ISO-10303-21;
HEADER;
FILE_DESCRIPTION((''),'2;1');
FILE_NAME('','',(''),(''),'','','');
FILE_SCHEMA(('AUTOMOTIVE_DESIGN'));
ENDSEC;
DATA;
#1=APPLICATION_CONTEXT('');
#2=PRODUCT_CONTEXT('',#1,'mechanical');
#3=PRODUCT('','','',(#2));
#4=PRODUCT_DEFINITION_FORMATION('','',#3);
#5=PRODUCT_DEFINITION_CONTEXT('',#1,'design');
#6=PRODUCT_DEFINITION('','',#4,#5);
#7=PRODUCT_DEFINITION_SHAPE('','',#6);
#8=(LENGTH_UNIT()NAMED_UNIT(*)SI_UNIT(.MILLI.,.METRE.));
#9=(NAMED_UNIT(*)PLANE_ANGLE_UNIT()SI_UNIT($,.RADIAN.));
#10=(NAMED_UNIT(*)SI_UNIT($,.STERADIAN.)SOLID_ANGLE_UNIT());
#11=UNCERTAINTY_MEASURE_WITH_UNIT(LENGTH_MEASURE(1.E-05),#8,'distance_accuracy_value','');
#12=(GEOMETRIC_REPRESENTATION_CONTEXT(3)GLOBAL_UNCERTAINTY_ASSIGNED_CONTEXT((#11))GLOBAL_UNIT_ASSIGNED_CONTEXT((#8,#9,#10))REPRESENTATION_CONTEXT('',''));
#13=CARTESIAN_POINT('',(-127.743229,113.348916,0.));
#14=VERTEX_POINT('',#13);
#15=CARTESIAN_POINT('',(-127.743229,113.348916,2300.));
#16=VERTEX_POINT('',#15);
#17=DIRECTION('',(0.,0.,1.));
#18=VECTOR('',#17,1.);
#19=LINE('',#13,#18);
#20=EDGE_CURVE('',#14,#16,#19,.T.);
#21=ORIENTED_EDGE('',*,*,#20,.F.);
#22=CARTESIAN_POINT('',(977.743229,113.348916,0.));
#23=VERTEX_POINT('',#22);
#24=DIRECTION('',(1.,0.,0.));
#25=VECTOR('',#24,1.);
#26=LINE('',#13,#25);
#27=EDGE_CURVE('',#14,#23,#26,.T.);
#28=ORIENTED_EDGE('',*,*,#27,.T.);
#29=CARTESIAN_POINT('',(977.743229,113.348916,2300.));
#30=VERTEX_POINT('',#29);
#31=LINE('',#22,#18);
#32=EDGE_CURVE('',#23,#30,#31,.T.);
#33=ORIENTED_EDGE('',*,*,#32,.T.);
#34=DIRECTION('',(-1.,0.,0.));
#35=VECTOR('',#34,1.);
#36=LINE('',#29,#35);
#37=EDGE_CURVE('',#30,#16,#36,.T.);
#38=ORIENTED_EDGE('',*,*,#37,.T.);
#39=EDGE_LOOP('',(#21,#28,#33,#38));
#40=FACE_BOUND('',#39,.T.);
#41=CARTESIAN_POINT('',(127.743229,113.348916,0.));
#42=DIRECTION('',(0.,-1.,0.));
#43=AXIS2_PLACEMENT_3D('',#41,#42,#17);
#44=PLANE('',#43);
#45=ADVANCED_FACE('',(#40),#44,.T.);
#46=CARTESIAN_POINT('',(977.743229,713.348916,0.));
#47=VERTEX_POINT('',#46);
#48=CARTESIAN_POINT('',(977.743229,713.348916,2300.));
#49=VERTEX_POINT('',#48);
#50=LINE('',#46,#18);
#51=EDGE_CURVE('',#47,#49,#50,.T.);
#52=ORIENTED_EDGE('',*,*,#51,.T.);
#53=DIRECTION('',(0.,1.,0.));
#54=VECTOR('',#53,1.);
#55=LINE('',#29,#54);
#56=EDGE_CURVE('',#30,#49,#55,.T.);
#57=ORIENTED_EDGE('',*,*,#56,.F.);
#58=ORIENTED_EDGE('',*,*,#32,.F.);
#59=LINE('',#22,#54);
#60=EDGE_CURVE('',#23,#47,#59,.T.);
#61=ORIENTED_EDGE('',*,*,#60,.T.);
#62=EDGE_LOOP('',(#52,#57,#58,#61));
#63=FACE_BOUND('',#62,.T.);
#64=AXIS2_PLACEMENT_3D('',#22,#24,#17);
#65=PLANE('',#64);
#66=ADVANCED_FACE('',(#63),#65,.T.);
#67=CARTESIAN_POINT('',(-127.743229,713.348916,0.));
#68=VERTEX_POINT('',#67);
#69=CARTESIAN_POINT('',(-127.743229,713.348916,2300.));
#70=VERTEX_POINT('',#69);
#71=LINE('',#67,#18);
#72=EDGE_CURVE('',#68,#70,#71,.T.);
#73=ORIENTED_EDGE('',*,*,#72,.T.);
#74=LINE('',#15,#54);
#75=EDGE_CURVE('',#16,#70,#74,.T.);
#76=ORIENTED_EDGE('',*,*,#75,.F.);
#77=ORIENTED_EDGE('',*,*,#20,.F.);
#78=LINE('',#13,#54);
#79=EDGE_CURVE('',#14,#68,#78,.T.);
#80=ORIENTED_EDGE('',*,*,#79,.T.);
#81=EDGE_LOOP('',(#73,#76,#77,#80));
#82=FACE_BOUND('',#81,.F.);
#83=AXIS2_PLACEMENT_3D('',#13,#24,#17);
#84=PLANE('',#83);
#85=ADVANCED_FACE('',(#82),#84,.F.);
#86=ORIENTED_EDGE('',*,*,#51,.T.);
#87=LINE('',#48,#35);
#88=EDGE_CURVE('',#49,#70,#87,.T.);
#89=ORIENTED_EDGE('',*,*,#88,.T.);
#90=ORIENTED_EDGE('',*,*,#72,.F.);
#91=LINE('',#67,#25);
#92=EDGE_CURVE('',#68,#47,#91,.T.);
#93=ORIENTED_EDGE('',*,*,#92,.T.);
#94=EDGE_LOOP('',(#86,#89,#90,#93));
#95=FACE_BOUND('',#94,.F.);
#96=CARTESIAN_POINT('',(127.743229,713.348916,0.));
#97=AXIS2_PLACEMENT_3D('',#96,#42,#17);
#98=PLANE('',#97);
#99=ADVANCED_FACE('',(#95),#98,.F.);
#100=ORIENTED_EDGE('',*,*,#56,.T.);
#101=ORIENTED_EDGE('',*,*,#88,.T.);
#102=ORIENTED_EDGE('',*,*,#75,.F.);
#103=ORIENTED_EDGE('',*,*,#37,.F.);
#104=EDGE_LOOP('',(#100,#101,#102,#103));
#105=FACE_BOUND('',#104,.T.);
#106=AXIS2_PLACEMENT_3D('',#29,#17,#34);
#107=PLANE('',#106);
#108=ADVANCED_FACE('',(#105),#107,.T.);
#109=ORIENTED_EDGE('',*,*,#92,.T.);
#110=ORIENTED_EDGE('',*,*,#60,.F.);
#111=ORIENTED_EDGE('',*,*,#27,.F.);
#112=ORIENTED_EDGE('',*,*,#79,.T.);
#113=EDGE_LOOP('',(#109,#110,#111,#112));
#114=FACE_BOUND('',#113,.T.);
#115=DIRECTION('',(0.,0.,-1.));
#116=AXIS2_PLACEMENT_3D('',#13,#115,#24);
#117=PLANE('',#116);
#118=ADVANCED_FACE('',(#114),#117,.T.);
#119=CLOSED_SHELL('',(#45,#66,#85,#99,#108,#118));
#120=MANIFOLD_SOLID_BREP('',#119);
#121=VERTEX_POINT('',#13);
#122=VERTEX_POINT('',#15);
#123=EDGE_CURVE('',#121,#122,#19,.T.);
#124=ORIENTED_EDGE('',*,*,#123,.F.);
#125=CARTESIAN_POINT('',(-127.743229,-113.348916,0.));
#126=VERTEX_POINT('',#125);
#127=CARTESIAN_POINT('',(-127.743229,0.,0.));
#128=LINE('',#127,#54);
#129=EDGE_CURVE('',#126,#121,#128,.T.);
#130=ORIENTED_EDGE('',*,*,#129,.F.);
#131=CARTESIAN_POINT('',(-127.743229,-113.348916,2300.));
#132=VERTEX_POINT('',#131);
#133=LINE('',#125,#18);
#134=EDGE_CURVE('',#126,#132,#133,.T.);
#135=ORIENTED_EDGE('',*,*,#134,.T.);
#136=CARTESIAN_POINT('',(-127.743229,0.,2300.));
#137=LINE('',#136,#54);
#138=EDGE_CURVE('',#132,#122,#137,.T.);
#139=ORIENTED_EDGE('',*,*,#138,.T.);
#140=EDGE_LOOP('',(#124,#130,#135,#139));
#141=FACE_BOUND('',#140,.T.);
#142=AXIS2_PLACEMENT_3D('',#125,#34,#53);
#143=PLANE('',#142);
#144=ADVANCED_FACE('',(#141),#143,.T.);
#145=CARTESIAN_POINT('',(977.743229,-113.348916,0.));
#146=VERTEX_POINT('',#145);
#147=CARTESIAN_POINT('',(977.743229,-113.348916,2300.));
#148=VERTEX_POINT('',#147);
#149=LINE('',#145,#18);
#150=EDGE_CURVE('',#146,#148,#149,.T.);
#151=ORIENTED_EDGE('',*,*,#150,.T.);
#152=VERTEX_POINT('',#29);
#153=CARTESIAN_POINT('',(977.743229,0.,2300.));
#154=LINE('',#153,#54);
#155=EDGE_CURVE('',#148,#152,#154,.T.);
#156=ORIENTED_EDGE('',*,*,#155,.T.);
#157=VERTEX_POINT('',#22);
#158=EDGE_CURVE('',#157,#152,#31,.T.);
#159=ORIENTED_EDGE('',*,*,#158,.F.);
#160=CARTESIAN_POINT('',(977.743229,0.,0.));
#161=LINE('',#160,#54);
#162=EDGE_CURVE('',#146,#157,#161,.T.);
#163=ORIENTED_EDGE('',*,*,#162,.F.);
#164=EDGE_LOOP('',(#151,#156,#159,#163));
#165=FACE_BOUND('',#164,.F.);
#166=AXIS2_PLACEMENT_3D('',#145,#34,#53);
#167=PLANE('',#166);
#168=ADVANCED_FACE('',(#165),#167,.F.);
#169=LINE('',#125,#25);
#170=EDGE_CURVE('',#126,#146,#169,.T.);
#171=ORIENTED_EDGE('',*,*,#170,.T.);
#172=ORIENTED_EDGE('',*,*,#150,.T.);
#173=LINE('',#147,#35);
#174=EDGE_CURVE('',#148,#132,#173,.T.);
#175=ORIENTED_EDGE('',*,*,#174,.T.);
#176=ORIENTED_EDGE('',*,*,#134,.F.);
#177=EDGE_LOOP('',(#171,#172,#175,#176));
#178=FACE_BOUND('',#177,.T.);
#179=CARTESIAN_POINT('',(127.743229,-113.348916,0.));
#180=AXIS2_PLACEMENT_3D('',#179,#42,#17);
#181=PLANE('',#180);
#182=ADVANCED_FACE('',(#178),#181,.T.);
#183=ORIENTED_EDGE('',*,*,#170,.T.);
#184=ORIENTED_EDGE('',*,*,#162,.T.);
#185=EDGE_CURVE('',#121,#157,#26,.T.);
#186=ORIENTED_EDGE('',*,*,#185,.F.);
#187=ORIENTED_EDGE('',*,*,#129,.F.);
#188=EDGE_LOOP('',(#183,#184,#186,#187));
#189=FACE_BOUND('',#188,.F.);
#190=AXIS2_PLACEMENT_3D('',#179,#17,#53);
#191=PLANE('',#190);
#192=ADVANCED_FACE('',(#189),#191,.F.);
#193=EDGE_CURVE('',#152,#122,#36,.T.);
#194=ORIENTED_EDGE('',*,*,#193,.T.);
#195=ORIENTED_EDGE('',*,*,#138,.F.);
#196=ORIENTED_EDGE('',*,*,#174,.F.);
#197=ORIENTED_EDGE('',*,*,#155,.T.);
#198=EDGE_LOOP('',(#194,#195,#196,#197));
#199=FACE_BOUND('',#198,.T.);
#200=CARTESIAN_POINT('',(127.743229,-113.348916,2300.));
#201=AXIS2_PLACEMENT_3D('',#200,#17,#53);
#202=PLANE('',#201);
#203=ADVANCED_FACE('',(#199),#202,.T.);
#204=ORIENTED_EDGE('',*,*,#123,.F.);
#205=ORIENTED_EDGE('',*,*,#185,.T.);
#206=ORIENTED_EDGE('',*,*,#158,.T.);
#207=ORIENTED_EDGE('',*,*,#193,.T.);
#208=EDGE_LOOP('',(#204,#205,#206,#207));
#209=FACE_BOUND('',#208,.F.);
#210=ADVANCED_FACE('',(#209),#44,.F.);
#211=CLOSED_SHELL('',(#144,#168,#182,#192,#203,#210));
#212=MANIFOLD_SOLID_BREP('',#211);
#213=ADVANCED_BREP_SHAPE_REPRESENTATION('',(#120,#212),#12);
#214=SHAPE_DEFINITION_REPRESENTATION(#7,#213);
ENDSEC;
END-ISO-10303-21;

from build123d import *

# Parameters (mm, degrees)
F0_W     = 255.48645854
F0_H     = 226.697832346
F1_DEPTH = 2300
F2_DEPTH = 850
F3_DEPTH = 600


with BuildPart() as f1:
    # F0 (on Top) → F1 (new body)
    with BuildSketch(Plane.XY):
        Rectangle(F0_W, F0_H)
    extrude(amount=F1_DEPTH)

    # F2 (add): a face of the model
    f2_faces = [f1.faces().sort_by_distance(p)[0] for p in [
        (127.74322927, 0, 1150),
    ]]
    extrude(f2_faces, amount=F2_DEPTH)


with BuildPart() as f3:
    # F3 (new): a face of the model
    f3_faces = [f1.part.faces().sort_by_distance(p)[0] for p in [
        (425, 113.348916173, 1150),
    ]]
    extrude(f3_faces, amount=F3_DEPTH)


solid = Compound([f1.part, f3.part])
